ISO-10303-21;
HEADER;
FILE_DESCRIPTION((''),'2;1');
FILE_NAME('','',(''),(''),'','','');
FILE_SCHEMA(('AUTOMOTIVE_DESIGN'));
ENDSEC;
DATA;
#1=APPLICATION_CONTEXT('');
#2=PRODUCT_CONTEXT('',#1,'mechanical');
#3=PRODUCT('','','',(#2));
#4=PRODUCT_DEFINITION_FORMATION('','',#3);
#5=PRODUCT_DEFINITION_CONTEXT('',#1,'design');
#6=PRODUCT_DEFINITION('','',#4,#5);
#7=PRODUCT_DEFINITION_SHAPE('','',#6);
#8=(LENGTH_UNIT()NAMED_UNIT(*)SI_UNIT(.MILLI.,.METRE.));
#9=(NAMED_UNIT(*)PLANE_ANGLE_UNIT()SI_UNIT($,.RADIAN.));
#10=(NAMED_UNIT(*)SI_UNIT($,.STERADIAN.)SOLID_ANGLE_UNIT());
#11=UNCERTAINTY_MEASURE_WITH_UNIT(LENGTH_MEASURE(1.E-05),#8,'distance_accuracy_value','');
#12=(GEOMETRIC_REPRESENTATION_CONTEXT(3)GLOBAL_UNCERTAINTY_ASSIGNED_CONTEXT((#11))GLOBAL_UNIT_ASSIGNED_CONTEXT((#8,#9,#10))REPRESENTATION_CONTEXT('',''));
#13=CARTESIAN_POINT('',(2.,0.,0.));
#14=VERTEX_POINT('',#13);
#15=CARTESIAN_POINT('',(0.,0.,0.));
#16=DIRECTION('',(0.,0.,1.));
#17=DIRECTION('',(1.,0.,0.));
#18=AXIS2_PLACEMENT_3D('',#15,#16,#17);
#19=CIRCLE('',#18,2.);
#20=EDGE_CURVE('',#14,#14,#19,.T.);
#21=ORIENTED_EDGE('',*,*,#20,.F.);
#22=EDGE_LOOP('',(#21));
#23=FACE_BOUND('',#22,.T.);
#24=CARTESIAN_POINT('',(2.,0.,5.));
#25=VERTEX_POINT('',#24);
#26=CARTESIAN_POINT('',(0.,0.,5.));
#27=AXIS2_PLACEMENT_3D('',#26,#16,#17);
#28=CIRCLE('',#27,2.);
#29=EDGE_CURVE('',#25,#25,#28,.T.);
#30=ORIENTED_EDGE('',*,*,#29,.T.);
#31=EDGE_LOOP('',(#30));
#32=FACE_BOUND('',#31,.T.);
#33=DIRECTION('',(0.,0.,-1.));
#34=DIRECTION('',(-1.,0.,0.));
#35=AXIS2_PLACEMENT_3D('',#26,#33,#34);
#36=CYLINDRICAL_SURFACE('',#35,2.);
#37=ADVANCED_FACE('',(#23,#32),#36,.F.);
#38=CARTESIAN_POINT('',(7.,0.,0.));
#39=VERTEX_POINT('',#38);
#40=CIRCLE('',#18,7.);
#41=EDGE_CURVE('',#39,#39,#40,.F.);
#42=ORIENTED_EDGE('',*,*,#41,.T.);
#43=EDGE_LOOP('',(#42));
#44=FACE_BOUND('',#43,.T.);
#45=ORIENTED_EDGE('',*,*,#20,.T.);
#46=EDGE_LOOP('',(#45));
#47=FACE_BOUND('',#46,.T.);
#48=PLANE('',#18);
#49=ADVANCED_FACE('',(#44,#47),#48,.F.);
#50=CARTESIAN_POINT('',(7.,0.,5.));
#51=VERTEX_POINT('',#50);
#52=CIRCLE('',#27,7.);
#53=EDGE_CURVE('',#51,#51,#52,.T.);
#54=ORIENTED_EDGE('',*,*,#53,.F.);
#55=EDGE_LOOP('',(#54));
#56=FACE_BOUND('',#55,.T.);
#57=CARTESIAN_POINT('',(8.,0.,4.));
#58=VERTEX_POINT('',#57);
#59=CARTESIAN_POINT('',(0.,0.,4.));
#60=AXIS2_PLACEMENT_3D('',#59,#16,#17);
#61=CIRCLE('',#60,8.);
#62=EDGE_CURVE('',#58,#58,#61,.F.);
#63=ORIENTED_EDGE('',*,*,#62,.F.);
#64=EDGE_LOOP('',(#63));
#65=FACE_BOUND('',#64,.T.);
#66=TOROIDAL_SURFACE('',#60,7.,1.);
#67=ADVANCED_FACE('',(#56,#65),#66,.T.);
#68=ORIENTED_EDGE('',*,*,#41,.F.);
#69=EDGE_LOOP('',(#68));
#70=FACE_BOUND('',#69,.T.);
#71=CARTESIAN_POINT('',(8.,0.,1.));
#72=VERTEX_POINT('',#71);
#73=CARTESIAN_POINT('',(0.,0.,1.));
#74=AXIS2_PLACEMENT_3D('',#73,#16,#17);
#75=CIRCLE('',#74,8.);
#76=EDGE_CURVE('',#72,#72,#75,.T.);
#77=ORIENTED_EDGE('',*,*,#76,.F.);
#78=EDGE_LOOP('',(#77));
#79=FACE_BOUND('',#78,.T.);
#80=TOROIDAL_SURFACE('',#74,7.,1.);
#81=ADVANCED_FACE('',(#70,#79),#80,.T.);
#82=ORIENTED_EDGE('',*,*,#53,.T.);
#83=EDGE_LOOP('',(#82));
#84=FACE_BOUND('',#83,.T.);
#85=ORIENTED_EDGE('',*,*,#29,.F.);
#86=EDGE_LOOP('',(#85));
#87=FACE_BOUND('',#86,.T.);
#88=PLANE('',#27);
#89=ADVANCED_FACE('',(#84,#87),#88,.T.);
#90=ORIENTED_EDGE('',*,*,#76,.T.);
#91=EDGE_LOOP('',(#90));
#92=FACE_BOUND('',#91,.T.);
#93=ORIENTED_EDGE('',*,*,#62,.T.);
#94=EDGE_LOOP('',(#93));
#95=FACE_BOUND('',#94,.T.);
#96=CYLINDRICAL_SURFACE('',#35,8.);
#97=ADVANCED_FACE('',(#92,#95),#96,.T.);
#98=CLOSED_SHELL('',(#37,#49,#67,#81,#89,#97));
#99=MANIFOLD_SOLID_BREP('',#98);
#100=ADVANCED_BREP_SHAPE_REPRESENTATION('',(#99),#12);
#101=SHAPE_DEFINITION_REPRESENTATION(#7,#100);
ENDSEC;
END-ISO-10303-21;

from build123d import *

# Parameters (mm, degrees)
SKETCH_1_R      = 8
SKETCH_1_R_2    = 2
EXTRUDE_1_DEPTH = 5
FILLET_1_R      = 1


with BuildPart() as part:
    # 草图1 → 凸台-拉伸1 (new body)
    with BuildSketch(Plane.XY):
        Circle(SKETCH_1_R)
        Circle(SKETCH_1_R_2, mode=Mode.SUBTRACT)
    extrude(amount=EXTRUDE_1_DEPTH)

    # 圆角1
    fillet_1_edges = [part.edges().sort_by_distance(p)[0] for p in [
        (-8, 0, 0),
        (-8, 0, 5),
    ]]
    fillet(fillet_1_edges, radius=FILLET_1_R)


solid = part.part
